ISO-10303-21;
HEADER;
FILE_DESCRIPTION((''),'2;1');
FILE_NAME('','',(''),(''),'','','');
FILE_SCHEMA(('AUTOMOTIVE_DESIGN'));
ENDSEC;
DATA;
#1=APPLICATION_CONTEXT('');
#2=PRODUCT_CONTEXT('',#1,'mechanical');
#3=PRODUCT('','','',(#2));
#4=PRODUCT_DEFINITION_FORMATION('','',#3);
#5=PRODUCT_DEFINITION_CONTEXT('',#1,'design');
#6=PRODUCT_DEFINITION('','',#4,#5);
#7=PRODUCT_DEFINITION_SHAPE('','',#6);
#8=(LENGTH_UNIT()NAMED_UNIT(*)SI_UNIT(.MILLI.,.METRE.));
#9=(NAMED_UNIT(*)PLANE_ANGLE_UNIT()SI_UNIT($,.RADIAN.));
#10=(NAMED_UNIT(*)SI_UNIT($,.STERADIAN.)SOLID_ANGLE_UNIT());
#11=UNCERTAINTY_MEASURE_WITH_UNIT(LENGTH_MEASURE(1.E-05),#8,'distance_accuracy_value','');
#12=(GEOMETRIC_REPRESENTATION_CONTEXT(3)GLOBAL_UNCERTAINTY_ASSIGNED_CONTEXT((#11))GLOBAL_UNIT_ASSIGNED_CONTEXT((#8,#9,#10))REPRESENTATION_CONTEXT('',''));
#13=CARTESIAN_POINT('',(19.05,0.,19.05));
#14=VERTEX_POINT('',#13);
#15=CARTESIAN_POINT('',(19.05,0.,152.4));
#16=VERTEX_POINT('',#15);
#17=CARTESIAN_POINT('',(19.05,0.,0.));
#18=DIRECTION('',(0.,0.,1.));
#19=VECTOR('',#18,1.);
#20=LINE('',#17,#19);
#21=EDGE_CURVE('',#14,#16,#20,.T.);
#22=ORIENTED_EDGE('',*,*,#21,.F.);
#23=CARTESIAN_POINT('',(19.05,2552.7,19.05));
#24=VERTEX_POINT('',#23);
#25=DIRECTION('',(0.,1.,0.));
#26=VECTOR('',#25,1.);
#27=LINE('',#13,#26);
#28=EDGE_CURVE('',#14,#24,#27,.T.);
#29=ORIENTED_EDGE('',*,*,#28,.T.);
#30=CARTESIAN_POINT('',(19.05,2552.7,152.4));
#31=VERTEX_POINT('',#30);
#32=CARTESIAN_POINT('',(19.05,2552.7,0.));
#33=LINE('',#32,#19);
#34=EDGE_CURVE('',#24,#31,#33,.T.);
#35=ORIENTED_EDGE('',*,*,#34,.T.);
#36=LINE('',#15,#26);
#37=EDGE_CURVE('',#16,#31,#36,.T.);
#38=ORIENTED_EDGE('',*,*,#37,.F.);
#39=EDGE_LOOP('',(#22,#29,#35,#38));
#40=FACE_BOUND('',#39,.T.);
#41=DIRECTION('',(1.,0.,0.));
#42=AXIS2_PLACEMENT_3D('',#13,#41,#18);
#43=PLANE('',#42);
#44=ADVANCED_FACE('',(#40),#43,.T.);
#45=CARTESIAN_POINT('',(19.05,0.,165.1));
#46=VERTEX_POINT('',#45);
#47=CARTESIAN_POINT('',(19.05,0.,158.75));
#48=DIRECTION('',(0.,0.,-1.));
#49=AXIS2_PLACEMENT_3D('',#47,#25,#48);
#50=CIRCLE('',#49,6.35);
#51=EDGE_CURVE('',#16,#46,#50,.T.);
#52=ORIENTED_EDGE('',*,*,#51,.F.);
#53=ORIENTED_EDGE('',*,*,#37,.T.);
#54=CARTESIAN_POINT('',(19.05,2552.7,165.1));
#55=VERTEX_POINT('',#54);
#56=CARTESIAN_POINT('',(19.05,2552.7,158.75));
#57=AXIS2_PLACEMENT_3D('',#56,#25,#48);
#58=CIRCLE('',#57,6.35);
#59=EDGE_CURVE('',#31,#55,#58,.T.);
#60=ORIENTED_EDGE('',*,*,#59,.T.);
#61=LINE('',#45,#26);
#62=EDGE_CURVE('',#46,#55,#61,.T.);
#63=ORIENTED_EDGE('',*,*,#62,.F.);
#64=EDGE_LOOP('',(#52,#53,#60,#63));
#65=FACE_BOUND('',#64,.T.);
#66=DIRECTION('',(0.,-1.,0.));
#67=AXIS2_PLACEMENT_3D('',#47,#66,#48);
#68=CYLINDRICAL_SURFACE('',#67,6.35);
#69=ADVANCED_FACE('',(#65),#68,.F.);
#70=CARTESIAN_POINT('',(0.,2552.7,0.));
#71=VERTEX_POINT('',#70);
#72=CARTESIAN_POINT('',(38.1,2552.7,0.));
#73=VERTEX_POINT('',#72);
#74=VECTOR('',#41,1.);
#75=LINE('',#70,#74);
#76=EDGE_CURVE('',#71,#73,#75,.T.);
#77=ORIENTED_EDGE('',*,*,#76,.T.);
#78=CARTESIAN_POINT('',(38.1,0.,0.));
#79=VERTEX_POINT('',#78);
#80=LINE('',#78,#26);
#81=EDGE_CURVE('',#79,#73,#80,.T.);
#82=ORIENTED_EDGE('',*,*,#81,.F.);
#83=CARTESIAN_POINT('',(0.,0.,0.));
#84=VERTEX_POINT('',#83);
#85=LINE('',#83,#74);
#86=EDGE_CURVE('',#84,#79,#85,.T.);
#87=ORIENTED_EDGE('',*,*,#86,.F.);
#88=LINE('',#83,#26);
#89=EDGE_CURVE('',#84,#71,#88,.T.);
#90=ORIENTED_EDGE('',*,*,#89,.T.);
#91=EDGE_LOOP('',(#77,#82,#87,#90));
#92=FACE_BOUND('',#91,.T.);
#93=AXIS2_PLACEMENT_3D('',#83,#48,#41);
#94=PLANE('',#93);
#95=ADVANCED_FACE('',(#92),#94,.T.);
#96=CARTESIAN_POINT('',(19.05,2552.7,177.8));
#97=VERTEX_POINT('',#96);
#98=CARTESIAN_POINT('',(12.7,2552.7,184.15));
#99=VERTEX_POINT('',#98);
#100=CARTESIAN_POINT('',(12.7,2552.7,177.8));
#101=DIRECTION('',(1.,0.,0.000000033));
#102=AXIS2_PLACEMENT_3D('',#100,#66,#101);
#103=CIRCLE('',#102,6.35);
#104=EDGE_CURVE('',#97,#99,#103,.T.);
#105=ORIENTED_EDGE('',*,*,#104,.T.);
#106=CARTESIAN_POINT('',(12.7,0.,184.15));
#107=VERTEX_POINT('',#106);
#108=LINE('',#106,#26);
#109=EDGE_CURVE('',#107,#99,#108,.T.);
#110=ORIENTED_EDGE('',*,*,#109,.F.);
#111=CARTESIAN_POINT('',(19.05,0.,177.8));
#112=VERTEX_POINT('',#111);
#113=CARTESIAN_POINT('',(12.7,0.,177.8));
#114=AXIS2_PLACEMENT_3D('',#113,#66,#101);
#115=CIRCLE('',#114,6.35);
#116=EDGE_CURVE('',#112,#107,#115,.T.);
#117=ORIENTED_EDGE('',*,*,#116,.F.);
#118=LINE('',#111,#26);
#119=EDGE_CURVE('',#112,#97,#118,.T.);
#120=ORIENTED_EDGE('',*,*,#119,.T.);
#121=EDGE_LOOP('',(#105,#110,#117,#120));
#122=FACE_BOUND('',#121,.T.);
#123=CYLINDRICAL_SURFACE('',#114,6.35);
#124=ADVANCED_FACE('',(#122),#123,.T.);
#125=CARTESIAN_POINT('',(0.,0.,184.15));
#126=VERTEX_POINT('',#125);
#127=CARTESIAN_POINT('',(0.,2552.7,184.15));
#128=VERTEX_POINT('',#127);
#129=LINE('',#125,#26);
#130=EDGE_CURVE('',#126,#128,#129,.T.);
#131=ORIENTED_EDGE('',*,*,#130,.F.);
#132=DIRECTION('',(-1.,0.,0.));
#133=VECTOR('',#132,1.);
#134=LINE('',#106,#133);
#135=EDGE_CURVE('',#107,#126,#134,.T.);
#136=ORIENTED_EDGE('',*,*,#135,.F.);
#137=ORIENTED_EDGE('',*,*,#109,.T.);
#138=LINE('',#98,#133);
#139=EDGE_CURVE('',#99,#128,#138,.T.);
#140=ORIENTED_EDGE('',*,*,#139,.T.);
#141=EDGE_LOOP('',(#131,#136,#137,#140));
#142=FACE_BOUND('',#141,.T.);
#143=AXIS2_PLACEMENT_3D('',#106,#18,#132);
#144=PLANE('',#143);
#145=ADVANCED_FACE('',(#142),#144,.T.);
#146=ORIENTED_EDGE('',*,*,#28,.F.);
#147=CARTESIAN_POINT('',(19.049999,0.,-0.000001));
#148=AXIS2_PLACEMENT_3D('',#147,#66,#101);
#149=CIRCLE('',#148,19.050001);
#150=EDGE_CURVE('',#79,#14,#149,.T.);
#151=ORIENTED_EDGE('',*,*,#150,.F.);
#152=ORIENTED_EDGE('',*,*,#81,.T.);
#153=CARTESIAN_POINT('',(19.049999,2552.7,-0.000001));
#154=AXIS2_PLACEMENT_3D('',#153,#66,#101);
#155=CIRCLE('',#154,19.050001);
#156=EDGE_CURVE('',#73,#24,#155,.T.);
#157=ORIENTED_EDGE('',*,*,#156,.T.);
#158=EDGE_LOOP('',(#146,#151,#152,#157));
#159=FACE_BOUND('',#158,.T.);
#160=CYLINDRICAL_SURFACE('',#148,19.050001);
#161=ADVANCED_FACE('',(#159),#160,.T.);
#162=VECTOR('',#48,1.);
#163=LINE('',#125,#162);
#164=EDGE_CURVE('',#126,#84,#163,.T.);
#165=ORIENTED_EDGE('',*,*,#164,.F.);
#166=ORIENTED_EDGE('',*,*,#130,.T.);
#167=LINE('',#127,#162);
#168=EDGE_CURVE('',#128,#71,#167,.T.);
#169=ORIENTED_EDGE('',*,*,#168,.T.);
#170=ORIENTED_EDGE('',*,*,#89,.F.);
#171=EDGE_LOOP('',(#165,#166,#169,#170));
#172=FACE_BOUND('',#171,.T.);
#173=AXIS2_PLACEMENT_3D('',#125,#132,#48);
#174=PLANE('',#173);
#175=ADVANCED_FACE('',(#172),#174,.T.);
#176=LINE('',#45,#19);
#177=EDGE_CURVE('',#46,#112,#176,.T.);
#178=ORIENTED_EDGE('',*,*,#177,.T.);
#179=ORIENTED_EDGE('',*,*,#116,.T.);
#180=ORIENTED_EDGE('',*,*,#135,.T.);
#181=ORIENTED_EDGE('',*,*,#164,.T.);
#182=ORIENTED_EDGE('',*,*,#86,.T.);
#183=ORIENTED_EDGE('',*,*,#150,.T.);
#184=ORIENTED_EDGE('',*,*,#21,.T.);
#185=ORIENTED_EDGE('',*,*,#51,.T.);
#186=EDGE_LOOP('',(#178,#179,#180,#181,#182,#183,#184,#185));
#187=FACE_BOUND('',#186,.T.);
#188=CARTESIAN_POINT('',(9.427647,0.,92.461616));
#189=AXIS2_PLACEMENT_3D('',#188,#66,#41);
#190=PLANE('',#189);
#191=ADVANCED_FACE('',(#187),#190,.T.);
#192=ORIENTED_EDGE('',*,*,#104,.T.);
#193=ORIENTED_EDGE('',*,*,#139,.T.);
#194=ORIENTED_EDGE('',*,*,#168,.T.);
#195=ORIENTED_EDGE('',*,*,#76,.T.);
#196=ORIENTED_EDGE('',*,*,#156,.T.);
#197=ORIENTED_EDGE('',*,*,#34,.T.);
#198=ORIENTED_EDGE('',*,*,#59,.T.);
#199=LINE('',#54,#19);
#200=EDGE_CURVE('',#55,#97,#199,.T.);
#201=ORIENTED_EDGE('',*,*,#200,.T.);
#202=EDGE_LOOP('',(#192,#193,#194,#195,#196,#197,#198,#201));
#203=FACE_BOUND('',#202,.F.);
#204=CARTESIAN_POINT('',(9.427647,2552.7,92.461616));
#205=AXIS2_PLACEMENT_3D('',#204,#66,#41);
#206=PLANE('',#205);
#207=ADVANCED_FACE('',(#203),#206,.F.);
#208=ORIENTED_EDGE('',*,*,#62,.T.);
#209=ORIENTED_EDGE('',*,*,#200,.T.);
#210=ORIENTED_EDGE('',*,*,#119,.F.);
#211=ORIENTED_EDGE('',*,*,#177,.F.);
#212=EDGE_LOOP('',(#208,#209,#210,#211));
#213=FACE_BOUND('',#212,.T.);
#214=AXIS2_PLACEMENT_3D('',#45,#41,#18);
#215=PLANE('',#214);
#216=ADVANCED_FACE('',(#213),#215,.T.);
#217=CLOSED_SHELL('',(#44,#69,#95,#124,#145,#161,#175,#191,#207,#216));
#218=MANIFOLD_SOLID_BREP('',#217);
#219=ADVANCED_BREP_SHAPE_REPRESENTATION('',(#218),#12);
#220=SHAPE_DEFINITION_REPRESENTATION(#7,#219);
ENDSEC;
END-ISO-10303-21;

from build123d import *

# Parameters (mm, degrees)
F1_DEPTH = 2552.7


with BuildPart() as f1:
    # F0 (on Front) → F1 (new body)
    with BuildSketch(Plane.XZ):
        with BuildLine():
            Line((0, 184.15), (0, 0))
            Line((0, 0), (19.05, 0))
            Line((19.05, 0), (19.05, 19.05))
            Line((19.05, 19.05), (19.05, 152.4))
            ThreePointArc((19.05, 152.4), (12.7, 158.75), (19.05, 165.1))
            Line((19.05, 165.1), (19.05, 177.8))
            ThreePointArc((19.05, 177.8), (17.190128, 182.290128), (12.7, 184.15))
            Line((12.7, 184.15), (0, 184.15))
        make_face()
        with BuildLine():
            Line((19.05, 19.05), (19.05, 0))
            Line((19.05, 0), (38.1, 0))
            ThreePointArc((38.1, 0), (32.520384, 13.470384), (19.05, 19.05))
        make_face()
    extrude(amount=-F1_DEPTH)


solid = f1.part
